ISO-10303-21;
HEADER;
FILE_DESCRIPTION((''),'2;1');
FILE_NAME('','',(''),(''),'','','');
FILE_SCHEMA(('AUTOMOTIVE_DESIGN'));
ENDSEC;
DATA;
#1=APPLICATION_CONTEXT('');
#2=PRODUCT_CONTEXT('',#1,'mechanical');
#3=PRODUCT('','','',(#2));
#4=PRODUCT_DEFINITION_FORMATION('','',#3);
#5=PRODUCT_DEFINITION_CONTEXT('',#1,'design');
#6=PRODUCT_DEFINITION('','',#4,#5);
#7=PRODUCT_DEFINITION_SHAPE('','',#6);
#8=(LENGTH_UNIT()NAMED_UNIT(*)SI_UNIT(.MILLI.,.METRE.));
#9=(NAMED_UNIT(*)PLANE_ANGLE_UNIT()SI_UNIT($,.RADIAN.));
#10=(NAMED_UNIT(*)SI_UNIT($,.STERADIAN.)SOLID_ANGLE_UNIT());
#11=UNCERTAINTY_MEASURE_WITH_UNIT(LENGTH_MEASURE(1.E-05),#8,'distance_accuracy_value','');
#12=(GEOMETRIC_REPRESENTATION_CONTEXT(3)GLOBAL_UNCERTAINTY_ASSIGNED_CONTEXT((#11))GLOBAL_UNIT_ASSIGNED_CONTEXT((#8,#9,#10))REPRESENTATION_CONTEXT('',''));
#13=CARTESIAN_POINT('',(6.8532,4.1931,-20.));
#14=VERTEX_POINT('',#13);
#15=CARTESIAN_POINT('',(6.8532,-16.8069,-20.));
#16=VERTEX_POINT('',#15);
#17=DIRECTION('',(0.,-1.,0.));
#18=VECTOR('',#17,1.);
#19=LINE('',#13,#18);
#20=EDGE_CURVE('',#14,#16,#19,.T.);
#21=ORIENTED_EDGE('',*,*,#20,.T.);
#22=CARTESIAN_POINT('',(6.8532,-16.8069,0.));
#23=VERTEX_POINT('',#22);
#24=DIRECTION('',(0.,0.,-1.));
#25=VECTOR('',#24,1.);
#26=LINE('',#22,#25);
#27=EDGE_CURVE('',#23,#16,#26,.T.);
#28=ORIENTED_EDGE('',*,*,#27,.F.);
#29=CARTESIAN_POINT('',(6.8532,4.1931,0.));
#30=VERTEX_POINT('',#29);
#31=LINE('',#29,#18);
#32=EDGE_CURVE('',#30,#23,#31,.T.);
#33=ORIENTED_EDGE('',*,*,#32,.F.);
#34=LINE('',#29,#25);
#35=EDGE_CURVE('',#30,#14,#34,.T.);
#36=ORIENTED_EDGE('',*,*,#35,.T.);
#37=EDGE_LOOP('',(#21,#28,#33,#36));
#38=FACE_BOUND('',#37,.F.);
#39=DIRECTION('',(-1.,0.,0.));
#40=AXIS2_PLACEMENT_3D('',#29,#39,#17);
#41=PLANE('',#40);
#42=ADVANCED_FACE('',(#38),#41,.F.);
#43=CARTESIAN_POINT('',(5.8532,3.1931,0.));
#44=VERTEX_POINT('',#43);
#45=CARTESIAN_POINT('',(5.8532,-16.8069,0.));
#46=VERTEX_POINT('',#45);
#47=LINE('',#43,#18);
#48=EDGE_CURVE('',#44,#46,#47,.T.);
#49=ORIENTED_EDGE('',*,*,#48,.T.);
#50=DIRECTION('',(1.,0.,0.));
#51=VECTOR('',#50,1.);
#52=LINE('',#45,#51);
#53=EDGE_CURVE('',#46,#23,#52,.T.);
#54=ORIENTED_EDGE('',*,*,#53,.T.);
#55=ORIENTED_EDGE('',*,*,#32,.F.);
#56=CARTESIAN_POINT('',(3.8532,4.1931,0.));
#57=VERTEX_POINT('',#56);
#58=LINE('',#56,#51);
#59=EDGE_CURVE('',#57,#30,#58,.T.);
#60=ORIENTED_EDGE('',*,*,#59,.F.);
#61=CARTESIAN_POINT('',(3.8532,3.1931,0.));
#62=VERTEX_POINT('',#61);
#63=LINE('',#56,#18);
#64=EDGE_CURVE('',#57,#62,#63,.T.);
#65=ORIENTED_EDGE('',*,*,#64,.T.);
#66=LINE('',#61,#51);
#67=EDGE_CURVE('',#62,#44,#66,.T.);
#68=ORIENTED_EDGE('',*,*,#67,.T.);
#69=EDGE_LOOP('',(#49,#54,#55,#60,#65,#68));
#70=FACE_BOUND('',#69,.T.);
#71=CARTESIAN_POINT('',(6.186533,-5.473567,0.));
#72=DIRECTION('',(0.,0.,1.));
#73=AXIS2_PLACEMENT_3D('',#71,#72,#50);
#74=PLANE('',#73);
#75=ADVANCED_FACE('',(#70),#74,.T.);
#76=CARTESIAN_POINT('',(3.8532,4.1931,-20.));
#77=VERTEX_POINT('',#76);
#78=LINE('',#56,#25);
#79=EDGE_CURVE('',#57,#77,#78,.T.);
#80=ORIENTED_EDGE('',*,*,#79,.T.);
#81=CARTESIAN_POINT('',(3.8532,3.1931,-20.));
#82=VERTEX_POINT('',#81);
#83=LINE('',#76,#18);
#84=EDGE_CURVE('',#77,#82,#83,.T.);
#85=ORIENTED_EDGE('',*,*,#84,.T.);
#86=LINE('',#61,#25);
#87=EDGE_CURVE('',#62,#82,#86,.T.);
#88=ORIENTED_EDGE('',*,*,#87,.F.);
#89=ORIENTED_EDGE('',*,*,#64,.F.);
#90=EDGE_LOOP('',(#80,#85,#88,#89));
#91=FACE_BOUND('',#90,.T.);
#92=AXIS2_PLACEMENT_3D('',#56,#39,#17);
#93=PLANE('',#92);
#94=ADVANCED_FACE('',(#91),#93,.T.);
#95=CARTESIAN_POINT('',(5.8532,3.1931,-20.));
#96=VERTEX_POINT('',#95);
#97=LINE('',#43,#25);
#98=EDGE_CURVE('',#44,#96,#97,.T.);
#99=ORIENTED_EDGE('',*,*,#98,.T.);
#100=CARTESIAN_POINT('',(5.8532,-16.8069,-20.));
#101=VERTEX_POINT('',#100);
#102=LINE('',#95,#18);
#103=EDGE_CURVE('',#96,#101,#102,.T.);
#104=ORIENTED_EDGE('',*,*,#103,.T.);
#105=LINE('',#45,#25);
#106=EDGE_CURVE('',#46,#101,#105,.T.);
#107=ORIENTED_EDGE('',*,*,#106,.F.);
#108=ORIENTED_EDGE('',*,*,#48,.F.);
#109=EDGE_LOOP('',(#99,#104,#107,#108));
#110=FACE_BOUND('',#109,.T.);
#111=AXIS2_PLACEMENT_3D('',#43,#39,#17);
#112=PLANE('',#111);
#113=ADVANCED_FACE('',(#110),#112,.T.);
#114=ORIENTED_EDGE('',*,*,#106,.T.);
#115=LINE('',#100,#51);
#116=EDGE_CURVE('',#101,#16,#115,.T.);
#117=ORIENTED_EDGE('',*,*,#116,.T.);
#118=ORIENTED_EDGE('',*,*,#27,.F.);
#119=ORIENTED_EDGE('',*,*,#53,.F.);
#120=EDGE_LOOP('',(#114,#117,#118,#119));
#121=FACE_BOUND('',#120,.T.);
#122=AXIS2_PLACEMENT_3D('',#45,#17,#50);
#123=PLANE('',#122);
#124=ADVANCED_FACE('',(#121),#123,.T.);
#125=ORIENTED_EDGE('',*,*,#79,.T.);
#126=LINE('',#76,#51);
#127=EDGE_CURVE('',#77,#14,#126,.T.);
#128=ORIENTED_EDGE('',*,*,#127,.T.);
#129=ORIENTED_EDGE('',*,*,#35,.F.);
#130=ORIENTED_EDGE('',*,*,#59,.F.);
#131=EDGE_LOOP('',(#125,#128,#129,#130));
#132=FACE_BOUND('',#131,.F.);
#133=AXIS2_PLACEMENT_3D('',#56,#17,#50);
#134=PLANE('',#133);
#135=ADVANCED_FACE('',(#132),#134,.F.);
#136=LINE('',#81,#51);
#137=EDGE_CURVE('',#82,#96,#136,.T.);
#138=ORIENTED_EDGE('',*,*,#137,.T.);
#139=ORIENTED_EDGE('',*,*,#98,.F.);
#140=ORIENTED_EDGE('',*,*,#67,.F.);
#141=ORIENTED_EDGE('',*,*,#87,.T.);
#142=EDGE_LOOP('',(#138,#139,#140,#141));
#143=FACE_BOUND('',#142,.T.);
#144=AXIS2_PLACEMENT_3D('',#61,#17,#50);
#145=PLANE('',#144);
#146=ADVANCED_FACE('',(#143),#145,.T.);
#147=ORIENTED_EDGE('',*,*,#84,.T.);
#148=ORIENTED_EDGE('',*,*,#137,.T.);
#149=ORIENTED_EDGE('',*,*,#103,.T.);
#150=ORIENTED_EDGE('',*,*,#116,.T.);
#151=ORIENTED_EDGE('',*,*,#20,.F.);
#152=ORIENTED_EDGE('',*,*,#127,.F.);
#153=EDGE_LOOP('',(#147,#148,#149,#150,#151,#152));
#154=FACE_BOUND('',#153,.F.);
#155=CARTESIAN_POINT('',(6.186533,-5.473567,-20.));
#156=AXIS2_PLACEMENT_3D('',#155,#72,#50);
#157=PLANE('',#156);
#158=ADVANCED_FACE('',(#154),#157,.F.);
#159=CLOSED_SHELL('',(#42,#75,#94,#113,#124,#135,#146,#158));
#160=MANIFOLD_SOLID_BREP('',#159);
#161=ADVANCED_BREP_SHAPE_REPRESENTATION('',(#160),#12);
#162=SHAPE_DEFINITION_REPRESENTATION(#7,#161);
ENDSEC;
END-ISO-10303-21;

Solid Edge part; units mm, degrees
sketch "Sketch1" plane through (0, 0, 0) normal (0, 0, 1) x (1, 0, 0)
  line L0 (3.8532, 3.1931) -> (5.8532, 3.1931)
  line L1 (5.8532, 3.1931) -> (5.8532, -16.8069)
  line L2 (5.8532, -16.8069) -> (6.8532, -16.8069)
  line L3 (6.8532, 4.1931) -> (6.8532, -16.8069)
  line L4 (3.8532, 4.1931) -> (6.8532, 4.1931)
  line L5 (3.8532, 4.1931) -> (3.8532, 3.1931)
extrude "Protrusion1" add sketch "Sketch1" against normal blind 20
